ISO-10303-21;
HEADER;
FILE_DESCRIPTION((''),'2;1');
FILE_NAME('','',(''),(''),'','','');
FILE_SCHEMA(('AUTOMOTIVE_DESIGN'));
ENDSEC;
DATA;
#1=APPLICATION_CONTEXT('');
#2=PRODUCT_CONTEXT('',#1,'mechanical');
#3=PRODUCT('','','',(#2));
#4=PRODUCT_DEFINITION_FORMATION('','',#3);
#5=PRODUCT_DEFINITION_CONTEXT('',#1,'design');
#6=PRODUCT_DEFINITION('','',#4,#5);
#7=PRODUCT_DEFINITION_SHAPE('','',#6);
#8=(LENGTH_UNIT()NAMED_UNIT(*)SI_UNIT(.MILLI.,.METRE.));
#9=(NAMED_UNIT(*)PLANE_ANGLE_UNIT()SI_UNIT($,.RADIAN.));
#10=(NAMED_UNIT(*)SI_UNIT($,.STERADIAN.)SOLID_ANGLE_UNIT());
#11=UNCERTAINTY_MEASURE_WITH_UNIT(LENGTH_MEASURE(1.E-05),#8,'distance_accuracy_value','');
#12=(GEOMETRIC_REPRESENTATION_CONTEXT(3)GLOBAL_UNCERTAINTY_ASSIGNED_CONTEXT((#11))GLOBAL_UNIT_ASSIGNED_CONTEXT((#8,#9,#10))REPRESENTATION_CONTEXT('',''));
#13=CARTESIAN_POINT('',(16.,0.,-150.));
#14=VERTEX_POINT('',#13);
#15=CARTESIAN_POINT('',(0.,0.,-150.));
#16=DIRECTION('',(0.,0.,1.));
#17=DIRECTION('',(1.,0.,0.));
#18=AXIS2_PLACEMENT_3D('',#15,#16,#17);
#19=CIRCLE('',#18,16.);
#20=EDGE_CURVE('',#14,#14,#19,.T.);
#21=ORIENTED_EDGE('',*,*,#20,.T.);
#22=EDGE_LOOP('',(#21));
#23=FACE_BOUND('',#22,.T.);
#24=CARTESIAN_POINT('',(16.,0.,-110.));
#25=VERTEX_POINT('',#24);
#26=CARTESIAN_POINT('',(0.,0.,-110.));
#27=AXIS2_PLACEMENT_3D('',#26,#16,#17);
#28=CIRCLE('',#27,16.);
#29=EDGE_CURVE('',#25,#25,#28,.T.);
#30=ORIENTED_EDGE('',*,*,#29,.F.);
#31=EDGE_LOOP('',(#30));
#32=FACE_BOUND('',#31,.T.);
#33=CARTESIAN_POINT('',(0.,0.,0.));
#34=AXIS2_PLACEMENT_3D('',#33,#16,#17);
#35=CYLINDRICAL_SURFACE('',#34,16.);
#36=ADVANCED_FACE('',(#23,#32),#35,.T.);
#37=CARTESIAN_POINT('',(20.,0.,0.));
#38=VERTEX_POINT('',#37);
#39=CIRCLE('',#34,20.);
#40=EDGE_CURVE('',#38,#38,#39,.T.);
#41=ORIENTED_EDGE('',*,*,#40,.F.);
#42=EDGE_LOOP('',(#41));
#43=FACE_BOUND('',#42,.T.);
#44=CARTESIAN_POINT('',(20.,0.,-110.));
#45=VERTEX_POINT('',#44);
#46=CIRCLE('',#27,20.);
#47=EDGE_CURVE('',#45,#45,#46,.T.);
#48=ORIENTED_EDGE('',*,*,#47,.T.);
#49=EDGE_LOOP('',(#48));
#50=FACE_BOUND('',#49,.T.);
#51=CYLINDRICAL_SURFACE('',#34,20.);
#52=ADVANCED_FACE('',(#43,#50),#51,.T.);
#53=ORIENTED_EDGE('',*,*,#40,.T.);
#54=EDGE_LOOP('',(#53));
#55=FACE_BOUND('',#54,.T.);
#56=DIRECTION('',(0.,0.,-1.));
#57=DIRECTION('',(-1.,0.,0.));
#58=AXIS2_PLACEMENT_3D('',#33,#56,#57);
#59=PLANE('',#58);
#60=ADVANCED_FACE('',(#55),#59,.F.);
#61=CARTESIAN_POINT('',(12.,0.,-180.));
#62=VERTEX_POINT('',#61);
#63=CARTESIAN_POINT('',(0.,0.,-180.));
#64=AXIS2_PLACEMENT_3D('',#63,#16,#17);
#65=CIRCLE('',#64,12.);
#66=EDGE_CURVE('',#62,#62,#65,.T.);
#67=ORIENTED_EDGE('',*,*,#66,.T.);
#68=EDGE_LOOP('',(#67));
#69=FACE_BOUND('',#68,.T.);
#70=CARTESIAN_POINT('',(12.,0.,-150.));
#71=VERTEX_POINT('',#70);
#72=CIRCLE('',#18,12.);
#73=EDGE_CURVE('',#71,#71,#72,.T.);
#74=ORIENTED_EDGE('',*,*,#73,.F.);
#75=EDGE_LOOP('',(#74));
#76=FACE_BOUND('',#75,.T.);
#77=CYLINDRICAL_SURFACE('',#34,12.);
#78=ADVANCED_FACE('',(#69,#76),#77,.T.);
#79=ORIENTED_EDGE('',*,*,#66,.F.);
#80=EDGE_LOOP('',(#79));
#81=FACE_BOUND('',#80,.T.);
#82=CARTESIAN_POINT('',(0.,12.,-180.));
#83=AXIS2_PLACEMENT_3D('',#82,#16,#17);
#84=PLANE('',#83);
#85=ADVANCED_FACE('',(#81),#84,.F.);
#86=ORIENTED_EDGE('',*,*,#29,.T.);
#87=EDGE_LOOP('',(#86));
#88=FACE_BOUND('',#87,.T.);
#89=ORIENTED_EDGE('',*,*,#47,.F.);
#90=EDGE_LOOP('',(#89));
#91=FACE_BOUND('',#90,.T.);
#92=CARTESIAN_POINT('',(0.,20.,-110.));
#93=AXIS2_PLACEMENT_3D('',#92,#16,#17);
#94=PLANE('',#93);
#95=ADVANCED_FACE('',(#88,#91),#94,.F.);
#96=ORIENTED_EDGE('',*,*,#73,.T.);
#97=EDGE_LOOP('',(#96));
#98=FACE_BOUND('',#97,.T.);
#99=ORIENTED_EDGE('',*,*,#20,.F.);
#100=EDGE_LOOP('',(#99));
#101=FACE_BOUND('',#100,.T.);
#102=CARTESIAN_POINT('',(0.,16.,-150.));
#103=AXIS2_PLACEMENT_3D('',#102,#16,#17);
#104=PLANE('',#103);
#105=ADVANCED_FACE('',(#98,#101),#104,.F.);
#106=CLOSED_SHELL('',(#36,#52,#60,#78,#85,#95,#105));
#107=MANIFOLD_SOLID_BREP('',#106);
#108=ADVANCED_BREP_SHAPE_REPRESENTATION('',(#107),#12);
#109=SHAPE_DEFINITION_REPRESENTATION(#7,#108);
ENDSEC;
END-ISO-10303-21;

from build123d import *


with BuildPart() as part:
    # 草图1 → 旋转1 (revolve)
    with BuildSketch(Plane(origin=(0, 0, 0), x_dir=(0, 0, -1), z_dir=(1, 0, 0)), mode=Mode.PRIVATE) as revolve_1_sk:
        Polygon((0, 0), (0, 20), (110, 20), (110, 16), (150, 16), (150, 12), (180, 12), (180, 0), align=None)
    revolve(revolve_1_sk.sketch.rotate(Axis((0, 0, 0), (0, 0, -1)), 90), axis=Axis((0, 0, 0), (0, 0, -1)))


solid = part.part
